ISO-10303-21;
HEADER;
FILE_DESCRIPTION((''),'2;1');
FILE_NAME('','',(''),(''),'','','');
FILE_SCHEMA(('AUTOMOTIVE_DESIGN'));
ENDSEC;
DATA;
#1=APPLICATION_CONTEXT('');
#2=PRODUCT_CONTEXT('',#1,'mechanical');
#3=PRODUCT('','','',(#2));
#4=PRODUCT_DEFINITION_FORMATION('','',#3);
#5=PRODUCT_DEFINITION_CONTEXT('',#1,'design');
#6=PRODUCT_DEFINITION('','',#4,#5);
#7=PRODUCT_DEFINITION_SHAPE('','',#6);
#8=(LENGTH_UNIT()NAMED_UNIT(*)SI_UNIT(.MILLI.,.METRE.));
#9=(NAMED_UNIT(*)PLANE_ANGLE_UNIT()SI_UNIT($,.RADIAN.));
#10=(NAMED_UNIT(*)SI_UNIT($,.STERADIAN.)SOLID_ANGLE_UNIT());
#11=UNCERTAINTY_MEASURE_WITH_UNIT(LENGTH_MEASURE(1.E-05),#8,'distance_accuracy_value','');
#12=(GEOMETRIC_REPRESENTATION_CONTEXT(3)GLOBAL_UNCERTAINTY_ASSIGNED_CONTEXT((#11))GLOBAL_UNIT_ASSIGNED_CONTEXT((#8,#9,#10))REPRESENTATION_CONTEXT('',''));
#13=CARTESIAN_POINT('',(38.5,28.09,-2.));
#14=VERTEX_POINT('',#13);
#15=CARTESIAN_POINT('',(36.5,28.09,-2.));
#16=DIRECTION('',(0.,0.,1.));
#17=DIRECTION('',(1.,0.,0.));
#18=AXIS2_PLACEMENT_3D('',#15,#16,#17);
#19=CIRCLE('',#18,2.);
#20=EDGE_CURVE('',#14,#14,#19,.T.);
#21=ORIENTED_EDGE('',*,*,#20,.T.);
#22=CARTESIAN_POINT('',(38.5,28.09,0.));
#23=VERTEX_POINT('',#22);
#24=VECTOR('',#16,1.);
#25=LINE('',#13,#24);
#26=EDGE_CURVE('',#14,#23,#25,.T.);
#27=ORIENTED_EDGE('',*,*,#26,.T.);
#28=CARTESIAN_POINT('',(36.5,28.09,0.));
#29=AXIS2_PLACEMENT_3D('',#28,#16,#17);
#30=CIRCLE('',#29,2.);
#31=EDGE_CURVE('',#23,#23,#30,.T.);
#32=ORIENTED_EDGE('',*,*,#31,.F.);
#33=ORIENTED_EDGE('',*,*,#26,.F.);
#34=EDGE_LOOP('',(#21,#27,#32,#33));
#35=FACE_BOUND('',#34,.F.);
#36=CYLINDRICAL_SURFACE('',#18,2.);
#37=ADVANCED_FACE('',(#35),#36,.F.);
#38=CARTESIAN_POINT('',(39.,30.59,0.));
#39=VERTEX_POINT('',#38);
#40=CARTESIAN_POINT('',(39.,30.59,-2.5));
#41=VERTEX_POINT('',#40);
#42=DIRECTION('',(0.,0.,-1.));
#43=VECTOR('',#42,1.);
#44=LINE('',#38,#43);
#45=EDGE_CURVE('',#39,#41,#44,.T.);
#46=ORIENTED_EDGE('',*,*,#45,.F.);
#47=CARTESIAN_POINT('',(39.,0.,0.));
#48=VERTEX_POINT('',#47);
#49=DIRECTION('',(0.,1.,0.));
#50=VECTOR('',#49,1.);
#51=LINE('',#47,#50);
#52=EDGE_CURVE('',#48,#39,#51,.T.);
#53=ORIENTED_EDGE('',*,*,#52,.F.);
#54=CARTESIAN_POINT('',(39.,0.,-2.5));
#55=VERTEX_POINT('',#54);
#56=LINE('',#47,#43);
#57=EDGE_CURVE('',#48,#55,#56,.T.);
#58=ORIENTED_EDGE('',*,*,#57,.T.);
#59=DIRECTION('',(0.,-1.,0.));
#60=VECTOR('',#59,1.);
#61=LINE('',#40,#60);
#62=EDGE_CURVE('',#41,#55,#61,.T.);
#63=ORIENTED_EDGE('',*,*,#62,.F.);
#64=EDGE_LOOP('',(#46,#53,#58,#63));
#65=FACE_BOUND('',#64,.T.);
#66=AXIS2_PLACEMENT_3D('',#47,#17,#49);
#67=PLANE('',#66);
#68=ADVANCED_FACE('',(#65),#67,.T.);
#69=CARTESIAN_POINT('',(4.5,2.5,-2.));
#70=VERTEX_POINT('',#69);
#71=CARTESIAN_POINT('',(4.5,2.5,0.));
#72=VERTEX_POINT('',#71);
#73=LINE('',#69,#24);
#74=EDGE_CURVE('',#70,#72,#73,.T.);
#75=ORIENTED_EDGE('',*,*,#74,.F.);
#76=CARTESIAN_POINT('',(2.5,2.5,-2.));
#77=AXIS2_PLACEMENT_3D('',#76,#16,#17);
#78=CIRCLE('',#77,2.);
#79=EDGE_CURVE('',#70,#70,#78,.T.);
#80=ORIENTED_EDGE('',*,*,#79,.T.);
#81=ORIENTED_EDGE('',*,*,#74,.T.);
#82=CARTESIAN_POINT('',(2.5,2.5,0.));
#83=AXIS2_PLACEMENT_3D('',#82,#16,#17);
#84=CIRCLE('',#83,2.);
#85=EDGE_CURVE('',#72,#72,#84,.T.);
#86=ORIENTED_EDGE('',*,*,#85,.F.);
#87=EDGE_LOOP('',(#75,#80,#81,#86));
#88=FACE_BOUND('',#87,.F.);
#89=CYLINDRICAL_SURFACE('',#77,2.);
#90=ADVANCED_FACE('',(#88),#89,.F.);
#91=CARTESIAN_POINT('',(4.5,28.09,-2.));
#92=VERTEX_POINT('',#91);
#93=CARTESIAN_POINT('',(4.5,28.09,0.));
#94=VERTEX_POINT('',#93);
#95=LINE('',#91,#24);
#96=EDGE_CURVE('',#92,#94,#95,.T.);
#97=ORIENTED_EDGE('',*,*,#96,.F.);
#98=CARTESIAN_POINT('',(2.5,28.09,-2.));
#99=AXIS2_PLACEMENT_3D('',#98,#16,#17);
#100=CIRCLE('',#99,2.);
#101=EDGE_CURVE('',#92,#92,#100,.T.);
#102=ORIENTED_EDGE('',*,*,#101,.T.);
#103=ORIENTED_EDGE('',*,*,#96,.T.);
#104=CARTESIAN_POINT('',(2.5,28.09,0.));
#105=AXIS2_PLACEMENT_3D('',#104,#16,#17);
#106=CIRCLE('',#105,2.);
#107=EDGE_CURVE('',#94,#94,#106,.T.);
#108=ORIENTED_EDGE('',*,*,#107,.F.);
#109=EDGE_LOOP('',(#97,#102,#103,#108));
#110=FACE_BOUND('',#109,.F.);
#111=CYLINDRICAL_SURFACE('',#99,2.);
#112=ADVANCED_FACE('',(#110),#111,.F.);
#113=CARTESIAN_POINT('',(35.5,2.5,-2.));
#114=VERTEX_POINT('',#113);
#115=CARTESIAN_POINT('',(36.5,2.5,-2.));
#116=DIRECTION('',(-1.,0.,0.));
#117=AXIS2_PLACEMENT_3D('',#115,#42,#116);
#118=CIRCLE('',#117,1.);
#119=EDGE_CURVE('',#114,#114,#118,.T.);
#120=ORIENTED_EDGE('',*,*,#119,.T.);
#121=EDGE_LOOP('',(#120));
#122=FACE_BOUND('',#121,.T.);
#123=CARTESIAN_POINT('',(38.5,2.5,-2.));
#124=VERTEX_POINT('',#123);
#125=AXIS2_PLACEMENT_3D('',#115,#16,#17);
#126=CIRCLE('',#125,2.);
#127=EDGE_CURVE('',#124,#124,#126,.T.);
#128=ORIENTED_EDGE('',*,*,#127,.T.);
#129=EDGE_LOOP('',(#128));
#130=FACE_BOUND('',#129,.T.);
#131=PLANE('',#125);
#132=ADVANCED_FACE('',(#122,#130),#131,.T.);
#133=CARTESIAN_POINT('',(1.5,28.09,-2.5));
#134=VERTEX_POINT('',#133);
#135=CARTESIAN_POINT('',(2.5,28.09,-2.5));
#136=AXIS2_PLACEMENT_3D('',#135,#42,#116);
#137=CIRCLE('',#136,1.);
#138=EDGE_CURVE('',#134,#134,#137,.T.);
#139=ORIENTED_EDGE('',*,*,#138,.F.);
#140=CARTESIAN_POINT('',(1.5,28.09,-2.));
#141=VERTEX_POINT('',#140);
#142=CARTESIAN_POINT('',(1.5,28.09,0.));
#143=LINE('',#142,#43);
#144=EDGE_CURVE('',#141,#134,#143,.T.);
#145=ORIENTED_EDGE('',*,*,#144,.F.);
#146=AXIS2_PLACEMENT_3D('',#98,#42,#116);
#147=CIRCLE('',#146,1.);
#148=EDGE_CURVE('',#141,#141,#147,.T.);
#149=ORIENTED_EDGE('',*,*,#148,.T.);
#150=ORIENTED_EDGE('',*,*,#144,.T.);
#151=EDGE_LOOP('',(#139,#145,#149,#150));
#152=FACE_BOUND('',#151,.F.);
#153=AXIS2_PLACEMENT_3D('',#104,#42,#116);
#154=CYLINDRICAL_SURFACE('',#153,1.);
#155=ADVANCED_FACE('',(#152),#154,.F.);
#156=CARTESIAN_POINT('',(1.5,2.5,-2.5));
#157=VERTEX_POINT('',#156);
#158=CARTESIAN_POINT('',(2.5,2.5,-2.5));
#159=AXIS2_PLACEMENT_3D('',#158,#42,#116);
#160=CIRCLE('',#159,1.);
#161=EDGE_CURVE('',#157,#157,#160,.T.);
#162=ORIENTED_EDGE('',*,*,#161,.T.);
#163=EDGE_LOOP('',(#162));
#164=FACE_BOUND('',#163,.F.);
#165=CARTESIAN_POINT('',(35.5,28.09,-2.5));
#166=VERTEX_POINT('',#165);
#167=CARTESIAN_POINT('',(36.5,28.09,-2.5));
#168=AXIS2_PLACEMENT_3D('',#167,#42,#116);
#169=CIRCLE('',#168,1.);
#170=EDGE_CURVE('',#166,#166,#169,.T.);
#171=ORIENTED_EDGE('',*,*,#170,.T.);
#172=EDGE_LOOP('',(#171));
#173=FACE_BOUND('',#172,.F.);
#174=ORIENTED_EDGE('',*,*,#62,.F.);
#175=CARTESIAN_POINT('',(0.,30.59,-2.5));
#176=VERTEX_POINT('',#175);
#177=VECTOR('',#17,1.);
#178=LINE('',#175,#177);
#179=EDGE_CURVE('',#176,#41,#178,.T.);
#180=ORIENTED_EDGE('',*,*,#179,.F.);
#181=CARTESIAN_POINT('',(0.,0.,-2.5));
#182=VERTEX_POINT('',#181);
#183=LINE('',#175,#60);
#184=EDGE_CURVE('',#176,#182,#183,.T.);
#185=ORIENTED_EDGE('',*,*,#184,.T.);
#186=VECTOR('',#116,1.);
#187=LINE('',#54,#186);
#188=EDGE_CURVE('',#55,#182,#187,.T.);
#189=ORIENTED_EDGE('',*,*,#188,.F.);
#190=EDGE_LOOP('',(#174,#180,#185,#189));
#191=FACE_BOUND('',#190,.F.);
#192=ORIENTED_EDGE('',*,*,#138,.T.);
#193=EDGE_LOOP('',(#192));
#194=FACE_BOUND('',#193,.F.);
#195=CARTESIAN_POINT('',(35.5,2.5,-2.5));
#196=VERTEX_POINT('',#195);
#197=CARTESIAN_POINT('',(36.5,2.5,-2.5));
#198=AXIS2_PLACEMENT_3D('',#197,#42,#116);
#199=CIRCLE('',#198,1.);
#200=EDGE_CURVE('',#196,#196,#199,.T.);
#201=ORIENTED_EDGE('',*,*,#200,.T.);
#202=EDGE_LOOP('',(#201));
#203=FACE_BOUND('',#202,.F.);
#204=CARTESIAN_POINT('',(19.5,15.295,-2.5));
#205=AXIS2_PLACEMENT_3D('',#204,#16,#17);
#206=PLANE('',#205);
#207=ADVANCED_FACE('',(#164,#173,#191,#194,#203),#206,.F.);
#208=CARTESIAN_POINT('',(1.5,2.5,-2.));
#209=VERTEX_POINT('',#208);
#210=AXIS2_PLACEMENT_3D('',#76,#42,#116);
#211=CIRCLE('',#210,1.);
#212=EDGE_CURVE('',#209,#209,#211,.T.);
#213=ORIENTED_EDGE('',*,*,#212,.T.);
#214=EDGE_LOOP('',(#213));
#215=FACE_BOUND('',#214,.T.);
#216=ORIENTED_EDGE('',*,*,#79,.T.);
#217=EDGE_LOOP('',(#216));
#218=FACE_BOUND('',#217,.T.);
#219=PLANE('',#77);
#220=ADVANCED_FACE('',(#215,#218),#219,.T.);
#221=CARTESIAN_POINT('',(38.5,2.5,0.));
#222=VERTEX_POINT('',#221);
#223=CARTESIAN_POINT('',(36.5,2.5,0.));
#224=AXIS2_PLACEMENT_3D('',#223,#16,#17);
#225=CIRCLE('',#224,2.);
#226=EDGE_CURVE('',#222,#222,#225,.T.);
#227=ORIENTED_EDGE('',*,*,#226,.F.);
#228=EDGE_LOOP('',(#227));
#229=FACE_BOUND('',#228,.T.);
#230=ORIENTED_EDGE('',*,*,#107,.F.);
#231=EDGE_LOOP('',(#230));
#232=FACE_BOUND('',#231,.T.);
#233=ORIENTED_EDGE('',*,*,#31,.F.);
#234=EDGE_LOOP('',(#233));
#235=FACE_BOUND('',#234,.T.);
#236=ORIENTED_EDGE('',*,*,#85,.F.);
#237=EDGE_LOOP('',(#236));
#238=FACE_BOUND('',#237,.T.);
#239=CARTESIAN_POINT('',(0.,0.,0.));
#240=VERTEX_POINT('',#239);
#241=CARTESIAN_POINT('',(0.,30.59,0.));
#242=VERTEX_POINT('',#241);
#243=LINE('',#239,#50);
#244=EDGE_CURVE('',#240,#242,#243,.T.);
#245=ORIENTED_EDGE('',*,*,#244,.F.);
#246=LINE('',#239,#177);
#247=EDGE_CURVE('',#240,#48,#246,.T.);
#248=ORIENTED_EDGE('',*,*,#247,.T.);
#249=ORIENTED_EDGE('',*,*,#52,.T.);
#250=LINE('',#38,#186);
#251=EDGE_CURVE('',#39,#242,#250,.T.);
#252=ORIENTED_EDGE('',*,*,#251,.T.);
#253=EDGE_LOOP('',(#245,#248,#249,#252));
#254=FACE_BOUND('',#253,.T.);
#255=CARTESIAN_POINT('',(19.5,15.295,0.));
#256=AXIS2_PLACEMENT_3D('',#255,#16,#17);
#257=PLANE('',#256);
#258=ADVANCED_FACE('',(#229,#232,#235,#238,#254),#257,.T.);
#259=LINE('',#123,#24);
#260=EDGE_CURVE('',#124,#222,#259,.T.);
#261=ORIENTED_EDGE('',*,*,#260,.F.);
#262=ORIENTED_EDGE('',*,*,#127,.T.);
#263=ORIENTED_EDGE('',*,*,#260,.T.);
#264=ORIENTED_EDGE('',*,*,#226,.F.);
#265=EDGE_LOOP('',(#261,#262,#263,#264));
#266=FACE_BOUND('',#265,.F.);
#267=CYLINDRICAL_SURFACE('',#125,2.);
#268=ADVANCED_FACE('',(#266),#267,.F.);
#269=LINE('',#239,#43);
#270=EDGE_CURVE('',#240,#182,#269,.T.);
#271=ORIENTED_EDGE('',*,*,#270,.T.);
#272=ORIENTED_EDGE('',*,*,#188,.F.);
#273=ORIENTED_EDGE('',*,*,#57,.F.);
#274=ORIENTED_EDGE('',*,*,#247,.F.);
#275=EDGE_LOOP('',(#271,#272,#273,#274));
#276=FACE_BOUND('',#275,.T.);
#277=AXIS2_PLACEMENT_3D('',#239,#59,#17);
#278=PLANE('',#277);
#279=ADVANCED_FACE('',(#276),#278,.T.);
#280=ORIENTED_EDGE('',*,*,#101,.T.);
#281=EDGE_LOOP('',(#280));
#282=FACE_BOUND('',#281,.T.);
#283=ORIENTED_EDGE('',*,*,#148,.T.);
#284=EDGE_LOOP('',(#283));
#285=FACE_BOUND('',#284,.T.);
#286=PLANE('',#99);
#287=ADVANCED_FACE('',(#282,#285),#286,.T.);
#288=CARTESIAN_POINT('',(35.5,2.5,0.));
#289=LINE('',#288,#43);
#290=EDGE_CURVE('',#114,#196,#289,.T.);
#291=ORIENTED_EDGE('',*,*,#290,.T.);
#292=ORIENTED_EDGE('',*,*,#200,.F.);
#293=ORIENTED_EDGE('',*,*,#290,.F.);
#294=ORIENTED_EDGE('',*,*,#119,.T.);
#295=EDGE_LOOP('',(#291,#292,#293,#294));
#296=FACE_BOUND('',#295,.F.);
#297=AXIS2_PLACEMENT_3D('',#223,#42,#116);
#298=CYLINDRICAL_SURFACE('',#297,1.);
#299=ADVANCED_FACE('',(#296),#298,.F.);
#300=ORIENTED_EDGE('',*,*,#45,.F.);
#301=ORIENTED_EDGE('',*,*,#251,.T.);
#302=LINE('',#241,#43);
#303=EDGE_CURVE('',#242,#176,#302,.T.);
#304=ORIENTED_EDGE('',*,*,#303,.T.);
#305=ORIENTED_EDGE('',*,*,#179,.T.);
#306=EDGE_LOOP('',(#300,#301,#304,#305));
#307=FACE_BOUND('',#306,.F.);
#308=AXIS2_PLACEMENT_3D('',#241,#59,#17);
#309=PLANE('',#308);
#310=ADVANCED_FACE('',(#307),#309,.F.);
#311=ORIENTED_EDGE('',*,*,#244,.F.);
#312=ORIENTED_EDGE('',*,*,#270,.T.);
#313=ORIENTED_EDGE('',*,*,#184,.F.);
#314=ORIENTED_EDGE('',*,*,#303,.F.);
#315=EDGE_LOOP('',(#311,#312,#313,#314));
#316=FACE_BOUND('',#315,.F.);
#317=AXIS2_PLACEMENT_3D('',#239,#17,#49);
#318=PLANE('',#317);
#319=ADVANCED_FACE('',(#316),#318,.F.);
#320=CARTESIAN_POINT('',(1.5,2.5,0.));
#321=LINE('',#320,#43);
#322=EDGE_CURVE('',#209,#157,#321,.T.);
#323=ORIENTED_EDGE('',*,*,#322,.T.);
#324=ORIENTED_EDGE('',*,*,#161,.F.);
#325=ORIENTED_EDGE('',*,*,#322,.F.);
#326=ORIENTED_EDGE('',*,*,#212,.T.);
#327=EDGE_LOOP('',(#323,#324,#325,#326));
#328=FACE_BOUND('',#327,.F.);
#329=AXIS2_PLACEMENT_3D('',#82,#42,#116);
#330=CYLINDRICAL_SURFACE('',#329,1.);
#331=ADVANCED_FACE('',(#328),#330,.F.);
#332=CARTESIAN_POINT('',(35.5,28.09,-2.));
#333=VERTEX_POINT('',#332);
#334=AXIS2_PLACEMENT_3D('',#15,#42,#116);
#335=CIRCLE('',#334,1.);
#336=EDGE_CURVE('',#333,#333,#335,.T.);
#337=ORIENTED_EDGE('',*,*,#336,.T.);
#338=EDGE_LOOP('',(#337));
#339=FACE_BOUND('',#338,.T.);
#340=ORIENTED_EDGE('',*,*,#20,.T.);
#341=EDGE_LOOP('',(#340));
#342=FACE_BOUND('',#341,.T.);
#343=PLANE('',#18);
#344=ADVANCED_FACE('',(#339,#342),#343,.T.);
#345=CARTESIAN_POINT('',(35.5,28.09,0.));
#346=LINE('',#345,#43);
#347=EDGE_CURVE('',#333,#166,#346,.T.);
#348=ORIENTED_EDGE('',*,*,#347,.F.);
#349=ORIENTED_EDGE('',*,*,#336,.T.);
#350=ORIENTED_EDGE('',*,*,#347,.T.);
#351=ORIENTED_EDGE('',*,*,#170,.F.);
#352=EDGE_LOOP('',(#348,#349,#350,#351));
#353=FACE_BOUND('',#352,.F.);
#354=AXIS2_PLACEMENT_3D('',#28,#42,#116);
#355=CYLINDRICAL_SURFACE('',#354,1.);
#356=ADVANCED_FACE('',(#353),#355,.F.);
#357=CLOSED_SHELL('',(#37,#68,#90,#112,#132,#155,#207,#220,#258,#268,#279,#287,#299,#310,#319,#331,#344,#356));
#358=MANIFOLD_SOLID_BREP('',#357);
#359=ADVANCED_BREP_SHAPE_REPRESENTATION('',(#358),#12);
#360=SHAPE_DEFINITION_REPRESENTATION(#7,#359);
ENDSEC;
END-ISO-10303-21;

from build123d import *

# Parameters (mm, degrees)
SKETCH_1_W                   = 39
SKETCH_1_H                   = 30.59
EXTRUDE_1_DEPTH              = 2.5
SKETCH_2_W                   = 5
SKETCH_2_H                   = 5
EXTRUDE_2_DEPTH              = 2.5
HOLE_WIZARD_M2_8_D           = 2
HOLE_WIZARD_M2_8_DEPTH       = 3
HOLE_WIZARD_M2_8_CBORE_D     = 4
HOLE_WIZARD_M2_8_CBORE_DEPTH = 2
HOLE_WIZARD_M2_7_D           = 2
HOLE_WIZARD_M2_7_DEPTH       = 3
HOLE_WIZARD_M2_7_CBORE_D     = 4
HOLE_WIZARD_M2_7_CBORE_DEPTH = 2


with BuildPart() as part:
    # 草图1 → 凸台-拉伸1 (new body)
    with BuildSketch(Plane.XY):
        with Locations((19.5, 15.295)):
            Rectangle(SKETCH_1_W, SKETCH_1_H)
    extrude(amount=-EXTRUDE_1_DEPTH)

    # 草图2 → 凸台-拉伸2 (add)
    with BuildSketch(Plane.XY):
        with Locations((2.5, 2.5)):
            Rectangle(SKETCH_2_W, SKETCH_2_H)
        with Locations((36.5, 28.09)):
            Rectangle(SKETCH_2_W, SKETCH_2_H)
    extrude(amount=-EXTRUDE_2_DEPTH)

    # M2 六角头螺栓的柱形沉头孔8
    with Locations(Plane(origin=(2.5, 2.5, 0), x_dir=(1, 0, 0), z_dir=(0, 0, 1))):
        with Locations((0, 0), (34, 25.59)):
            CounterBoreHole(HOLE_WIZARD_M2_8_D / 2, HOLE_WIZARD_M2_8_CBORE_D / 2, HOLE_WIZARD_M2_8_CBORE_DEPTH, depth=HOLE_WIZARD_M2_8_DEPTH)

    # M2 六角头螺栓的柱形沉头孔7
    with Locations(Plane.XY):
        with Locations((2.5, 28.09), (36.5, 2.5)):
            CounterBoreHole(HOLE_WIZARD_M2_7_D / 2, HOLE_WIZARD_M2_7_CBORE_D / 2, HOLE_WIZARD_M2_7_CBORE_DEPTH, depth=HOLE_WIZARD_M2_7_DEPTH)


solid = part.part
